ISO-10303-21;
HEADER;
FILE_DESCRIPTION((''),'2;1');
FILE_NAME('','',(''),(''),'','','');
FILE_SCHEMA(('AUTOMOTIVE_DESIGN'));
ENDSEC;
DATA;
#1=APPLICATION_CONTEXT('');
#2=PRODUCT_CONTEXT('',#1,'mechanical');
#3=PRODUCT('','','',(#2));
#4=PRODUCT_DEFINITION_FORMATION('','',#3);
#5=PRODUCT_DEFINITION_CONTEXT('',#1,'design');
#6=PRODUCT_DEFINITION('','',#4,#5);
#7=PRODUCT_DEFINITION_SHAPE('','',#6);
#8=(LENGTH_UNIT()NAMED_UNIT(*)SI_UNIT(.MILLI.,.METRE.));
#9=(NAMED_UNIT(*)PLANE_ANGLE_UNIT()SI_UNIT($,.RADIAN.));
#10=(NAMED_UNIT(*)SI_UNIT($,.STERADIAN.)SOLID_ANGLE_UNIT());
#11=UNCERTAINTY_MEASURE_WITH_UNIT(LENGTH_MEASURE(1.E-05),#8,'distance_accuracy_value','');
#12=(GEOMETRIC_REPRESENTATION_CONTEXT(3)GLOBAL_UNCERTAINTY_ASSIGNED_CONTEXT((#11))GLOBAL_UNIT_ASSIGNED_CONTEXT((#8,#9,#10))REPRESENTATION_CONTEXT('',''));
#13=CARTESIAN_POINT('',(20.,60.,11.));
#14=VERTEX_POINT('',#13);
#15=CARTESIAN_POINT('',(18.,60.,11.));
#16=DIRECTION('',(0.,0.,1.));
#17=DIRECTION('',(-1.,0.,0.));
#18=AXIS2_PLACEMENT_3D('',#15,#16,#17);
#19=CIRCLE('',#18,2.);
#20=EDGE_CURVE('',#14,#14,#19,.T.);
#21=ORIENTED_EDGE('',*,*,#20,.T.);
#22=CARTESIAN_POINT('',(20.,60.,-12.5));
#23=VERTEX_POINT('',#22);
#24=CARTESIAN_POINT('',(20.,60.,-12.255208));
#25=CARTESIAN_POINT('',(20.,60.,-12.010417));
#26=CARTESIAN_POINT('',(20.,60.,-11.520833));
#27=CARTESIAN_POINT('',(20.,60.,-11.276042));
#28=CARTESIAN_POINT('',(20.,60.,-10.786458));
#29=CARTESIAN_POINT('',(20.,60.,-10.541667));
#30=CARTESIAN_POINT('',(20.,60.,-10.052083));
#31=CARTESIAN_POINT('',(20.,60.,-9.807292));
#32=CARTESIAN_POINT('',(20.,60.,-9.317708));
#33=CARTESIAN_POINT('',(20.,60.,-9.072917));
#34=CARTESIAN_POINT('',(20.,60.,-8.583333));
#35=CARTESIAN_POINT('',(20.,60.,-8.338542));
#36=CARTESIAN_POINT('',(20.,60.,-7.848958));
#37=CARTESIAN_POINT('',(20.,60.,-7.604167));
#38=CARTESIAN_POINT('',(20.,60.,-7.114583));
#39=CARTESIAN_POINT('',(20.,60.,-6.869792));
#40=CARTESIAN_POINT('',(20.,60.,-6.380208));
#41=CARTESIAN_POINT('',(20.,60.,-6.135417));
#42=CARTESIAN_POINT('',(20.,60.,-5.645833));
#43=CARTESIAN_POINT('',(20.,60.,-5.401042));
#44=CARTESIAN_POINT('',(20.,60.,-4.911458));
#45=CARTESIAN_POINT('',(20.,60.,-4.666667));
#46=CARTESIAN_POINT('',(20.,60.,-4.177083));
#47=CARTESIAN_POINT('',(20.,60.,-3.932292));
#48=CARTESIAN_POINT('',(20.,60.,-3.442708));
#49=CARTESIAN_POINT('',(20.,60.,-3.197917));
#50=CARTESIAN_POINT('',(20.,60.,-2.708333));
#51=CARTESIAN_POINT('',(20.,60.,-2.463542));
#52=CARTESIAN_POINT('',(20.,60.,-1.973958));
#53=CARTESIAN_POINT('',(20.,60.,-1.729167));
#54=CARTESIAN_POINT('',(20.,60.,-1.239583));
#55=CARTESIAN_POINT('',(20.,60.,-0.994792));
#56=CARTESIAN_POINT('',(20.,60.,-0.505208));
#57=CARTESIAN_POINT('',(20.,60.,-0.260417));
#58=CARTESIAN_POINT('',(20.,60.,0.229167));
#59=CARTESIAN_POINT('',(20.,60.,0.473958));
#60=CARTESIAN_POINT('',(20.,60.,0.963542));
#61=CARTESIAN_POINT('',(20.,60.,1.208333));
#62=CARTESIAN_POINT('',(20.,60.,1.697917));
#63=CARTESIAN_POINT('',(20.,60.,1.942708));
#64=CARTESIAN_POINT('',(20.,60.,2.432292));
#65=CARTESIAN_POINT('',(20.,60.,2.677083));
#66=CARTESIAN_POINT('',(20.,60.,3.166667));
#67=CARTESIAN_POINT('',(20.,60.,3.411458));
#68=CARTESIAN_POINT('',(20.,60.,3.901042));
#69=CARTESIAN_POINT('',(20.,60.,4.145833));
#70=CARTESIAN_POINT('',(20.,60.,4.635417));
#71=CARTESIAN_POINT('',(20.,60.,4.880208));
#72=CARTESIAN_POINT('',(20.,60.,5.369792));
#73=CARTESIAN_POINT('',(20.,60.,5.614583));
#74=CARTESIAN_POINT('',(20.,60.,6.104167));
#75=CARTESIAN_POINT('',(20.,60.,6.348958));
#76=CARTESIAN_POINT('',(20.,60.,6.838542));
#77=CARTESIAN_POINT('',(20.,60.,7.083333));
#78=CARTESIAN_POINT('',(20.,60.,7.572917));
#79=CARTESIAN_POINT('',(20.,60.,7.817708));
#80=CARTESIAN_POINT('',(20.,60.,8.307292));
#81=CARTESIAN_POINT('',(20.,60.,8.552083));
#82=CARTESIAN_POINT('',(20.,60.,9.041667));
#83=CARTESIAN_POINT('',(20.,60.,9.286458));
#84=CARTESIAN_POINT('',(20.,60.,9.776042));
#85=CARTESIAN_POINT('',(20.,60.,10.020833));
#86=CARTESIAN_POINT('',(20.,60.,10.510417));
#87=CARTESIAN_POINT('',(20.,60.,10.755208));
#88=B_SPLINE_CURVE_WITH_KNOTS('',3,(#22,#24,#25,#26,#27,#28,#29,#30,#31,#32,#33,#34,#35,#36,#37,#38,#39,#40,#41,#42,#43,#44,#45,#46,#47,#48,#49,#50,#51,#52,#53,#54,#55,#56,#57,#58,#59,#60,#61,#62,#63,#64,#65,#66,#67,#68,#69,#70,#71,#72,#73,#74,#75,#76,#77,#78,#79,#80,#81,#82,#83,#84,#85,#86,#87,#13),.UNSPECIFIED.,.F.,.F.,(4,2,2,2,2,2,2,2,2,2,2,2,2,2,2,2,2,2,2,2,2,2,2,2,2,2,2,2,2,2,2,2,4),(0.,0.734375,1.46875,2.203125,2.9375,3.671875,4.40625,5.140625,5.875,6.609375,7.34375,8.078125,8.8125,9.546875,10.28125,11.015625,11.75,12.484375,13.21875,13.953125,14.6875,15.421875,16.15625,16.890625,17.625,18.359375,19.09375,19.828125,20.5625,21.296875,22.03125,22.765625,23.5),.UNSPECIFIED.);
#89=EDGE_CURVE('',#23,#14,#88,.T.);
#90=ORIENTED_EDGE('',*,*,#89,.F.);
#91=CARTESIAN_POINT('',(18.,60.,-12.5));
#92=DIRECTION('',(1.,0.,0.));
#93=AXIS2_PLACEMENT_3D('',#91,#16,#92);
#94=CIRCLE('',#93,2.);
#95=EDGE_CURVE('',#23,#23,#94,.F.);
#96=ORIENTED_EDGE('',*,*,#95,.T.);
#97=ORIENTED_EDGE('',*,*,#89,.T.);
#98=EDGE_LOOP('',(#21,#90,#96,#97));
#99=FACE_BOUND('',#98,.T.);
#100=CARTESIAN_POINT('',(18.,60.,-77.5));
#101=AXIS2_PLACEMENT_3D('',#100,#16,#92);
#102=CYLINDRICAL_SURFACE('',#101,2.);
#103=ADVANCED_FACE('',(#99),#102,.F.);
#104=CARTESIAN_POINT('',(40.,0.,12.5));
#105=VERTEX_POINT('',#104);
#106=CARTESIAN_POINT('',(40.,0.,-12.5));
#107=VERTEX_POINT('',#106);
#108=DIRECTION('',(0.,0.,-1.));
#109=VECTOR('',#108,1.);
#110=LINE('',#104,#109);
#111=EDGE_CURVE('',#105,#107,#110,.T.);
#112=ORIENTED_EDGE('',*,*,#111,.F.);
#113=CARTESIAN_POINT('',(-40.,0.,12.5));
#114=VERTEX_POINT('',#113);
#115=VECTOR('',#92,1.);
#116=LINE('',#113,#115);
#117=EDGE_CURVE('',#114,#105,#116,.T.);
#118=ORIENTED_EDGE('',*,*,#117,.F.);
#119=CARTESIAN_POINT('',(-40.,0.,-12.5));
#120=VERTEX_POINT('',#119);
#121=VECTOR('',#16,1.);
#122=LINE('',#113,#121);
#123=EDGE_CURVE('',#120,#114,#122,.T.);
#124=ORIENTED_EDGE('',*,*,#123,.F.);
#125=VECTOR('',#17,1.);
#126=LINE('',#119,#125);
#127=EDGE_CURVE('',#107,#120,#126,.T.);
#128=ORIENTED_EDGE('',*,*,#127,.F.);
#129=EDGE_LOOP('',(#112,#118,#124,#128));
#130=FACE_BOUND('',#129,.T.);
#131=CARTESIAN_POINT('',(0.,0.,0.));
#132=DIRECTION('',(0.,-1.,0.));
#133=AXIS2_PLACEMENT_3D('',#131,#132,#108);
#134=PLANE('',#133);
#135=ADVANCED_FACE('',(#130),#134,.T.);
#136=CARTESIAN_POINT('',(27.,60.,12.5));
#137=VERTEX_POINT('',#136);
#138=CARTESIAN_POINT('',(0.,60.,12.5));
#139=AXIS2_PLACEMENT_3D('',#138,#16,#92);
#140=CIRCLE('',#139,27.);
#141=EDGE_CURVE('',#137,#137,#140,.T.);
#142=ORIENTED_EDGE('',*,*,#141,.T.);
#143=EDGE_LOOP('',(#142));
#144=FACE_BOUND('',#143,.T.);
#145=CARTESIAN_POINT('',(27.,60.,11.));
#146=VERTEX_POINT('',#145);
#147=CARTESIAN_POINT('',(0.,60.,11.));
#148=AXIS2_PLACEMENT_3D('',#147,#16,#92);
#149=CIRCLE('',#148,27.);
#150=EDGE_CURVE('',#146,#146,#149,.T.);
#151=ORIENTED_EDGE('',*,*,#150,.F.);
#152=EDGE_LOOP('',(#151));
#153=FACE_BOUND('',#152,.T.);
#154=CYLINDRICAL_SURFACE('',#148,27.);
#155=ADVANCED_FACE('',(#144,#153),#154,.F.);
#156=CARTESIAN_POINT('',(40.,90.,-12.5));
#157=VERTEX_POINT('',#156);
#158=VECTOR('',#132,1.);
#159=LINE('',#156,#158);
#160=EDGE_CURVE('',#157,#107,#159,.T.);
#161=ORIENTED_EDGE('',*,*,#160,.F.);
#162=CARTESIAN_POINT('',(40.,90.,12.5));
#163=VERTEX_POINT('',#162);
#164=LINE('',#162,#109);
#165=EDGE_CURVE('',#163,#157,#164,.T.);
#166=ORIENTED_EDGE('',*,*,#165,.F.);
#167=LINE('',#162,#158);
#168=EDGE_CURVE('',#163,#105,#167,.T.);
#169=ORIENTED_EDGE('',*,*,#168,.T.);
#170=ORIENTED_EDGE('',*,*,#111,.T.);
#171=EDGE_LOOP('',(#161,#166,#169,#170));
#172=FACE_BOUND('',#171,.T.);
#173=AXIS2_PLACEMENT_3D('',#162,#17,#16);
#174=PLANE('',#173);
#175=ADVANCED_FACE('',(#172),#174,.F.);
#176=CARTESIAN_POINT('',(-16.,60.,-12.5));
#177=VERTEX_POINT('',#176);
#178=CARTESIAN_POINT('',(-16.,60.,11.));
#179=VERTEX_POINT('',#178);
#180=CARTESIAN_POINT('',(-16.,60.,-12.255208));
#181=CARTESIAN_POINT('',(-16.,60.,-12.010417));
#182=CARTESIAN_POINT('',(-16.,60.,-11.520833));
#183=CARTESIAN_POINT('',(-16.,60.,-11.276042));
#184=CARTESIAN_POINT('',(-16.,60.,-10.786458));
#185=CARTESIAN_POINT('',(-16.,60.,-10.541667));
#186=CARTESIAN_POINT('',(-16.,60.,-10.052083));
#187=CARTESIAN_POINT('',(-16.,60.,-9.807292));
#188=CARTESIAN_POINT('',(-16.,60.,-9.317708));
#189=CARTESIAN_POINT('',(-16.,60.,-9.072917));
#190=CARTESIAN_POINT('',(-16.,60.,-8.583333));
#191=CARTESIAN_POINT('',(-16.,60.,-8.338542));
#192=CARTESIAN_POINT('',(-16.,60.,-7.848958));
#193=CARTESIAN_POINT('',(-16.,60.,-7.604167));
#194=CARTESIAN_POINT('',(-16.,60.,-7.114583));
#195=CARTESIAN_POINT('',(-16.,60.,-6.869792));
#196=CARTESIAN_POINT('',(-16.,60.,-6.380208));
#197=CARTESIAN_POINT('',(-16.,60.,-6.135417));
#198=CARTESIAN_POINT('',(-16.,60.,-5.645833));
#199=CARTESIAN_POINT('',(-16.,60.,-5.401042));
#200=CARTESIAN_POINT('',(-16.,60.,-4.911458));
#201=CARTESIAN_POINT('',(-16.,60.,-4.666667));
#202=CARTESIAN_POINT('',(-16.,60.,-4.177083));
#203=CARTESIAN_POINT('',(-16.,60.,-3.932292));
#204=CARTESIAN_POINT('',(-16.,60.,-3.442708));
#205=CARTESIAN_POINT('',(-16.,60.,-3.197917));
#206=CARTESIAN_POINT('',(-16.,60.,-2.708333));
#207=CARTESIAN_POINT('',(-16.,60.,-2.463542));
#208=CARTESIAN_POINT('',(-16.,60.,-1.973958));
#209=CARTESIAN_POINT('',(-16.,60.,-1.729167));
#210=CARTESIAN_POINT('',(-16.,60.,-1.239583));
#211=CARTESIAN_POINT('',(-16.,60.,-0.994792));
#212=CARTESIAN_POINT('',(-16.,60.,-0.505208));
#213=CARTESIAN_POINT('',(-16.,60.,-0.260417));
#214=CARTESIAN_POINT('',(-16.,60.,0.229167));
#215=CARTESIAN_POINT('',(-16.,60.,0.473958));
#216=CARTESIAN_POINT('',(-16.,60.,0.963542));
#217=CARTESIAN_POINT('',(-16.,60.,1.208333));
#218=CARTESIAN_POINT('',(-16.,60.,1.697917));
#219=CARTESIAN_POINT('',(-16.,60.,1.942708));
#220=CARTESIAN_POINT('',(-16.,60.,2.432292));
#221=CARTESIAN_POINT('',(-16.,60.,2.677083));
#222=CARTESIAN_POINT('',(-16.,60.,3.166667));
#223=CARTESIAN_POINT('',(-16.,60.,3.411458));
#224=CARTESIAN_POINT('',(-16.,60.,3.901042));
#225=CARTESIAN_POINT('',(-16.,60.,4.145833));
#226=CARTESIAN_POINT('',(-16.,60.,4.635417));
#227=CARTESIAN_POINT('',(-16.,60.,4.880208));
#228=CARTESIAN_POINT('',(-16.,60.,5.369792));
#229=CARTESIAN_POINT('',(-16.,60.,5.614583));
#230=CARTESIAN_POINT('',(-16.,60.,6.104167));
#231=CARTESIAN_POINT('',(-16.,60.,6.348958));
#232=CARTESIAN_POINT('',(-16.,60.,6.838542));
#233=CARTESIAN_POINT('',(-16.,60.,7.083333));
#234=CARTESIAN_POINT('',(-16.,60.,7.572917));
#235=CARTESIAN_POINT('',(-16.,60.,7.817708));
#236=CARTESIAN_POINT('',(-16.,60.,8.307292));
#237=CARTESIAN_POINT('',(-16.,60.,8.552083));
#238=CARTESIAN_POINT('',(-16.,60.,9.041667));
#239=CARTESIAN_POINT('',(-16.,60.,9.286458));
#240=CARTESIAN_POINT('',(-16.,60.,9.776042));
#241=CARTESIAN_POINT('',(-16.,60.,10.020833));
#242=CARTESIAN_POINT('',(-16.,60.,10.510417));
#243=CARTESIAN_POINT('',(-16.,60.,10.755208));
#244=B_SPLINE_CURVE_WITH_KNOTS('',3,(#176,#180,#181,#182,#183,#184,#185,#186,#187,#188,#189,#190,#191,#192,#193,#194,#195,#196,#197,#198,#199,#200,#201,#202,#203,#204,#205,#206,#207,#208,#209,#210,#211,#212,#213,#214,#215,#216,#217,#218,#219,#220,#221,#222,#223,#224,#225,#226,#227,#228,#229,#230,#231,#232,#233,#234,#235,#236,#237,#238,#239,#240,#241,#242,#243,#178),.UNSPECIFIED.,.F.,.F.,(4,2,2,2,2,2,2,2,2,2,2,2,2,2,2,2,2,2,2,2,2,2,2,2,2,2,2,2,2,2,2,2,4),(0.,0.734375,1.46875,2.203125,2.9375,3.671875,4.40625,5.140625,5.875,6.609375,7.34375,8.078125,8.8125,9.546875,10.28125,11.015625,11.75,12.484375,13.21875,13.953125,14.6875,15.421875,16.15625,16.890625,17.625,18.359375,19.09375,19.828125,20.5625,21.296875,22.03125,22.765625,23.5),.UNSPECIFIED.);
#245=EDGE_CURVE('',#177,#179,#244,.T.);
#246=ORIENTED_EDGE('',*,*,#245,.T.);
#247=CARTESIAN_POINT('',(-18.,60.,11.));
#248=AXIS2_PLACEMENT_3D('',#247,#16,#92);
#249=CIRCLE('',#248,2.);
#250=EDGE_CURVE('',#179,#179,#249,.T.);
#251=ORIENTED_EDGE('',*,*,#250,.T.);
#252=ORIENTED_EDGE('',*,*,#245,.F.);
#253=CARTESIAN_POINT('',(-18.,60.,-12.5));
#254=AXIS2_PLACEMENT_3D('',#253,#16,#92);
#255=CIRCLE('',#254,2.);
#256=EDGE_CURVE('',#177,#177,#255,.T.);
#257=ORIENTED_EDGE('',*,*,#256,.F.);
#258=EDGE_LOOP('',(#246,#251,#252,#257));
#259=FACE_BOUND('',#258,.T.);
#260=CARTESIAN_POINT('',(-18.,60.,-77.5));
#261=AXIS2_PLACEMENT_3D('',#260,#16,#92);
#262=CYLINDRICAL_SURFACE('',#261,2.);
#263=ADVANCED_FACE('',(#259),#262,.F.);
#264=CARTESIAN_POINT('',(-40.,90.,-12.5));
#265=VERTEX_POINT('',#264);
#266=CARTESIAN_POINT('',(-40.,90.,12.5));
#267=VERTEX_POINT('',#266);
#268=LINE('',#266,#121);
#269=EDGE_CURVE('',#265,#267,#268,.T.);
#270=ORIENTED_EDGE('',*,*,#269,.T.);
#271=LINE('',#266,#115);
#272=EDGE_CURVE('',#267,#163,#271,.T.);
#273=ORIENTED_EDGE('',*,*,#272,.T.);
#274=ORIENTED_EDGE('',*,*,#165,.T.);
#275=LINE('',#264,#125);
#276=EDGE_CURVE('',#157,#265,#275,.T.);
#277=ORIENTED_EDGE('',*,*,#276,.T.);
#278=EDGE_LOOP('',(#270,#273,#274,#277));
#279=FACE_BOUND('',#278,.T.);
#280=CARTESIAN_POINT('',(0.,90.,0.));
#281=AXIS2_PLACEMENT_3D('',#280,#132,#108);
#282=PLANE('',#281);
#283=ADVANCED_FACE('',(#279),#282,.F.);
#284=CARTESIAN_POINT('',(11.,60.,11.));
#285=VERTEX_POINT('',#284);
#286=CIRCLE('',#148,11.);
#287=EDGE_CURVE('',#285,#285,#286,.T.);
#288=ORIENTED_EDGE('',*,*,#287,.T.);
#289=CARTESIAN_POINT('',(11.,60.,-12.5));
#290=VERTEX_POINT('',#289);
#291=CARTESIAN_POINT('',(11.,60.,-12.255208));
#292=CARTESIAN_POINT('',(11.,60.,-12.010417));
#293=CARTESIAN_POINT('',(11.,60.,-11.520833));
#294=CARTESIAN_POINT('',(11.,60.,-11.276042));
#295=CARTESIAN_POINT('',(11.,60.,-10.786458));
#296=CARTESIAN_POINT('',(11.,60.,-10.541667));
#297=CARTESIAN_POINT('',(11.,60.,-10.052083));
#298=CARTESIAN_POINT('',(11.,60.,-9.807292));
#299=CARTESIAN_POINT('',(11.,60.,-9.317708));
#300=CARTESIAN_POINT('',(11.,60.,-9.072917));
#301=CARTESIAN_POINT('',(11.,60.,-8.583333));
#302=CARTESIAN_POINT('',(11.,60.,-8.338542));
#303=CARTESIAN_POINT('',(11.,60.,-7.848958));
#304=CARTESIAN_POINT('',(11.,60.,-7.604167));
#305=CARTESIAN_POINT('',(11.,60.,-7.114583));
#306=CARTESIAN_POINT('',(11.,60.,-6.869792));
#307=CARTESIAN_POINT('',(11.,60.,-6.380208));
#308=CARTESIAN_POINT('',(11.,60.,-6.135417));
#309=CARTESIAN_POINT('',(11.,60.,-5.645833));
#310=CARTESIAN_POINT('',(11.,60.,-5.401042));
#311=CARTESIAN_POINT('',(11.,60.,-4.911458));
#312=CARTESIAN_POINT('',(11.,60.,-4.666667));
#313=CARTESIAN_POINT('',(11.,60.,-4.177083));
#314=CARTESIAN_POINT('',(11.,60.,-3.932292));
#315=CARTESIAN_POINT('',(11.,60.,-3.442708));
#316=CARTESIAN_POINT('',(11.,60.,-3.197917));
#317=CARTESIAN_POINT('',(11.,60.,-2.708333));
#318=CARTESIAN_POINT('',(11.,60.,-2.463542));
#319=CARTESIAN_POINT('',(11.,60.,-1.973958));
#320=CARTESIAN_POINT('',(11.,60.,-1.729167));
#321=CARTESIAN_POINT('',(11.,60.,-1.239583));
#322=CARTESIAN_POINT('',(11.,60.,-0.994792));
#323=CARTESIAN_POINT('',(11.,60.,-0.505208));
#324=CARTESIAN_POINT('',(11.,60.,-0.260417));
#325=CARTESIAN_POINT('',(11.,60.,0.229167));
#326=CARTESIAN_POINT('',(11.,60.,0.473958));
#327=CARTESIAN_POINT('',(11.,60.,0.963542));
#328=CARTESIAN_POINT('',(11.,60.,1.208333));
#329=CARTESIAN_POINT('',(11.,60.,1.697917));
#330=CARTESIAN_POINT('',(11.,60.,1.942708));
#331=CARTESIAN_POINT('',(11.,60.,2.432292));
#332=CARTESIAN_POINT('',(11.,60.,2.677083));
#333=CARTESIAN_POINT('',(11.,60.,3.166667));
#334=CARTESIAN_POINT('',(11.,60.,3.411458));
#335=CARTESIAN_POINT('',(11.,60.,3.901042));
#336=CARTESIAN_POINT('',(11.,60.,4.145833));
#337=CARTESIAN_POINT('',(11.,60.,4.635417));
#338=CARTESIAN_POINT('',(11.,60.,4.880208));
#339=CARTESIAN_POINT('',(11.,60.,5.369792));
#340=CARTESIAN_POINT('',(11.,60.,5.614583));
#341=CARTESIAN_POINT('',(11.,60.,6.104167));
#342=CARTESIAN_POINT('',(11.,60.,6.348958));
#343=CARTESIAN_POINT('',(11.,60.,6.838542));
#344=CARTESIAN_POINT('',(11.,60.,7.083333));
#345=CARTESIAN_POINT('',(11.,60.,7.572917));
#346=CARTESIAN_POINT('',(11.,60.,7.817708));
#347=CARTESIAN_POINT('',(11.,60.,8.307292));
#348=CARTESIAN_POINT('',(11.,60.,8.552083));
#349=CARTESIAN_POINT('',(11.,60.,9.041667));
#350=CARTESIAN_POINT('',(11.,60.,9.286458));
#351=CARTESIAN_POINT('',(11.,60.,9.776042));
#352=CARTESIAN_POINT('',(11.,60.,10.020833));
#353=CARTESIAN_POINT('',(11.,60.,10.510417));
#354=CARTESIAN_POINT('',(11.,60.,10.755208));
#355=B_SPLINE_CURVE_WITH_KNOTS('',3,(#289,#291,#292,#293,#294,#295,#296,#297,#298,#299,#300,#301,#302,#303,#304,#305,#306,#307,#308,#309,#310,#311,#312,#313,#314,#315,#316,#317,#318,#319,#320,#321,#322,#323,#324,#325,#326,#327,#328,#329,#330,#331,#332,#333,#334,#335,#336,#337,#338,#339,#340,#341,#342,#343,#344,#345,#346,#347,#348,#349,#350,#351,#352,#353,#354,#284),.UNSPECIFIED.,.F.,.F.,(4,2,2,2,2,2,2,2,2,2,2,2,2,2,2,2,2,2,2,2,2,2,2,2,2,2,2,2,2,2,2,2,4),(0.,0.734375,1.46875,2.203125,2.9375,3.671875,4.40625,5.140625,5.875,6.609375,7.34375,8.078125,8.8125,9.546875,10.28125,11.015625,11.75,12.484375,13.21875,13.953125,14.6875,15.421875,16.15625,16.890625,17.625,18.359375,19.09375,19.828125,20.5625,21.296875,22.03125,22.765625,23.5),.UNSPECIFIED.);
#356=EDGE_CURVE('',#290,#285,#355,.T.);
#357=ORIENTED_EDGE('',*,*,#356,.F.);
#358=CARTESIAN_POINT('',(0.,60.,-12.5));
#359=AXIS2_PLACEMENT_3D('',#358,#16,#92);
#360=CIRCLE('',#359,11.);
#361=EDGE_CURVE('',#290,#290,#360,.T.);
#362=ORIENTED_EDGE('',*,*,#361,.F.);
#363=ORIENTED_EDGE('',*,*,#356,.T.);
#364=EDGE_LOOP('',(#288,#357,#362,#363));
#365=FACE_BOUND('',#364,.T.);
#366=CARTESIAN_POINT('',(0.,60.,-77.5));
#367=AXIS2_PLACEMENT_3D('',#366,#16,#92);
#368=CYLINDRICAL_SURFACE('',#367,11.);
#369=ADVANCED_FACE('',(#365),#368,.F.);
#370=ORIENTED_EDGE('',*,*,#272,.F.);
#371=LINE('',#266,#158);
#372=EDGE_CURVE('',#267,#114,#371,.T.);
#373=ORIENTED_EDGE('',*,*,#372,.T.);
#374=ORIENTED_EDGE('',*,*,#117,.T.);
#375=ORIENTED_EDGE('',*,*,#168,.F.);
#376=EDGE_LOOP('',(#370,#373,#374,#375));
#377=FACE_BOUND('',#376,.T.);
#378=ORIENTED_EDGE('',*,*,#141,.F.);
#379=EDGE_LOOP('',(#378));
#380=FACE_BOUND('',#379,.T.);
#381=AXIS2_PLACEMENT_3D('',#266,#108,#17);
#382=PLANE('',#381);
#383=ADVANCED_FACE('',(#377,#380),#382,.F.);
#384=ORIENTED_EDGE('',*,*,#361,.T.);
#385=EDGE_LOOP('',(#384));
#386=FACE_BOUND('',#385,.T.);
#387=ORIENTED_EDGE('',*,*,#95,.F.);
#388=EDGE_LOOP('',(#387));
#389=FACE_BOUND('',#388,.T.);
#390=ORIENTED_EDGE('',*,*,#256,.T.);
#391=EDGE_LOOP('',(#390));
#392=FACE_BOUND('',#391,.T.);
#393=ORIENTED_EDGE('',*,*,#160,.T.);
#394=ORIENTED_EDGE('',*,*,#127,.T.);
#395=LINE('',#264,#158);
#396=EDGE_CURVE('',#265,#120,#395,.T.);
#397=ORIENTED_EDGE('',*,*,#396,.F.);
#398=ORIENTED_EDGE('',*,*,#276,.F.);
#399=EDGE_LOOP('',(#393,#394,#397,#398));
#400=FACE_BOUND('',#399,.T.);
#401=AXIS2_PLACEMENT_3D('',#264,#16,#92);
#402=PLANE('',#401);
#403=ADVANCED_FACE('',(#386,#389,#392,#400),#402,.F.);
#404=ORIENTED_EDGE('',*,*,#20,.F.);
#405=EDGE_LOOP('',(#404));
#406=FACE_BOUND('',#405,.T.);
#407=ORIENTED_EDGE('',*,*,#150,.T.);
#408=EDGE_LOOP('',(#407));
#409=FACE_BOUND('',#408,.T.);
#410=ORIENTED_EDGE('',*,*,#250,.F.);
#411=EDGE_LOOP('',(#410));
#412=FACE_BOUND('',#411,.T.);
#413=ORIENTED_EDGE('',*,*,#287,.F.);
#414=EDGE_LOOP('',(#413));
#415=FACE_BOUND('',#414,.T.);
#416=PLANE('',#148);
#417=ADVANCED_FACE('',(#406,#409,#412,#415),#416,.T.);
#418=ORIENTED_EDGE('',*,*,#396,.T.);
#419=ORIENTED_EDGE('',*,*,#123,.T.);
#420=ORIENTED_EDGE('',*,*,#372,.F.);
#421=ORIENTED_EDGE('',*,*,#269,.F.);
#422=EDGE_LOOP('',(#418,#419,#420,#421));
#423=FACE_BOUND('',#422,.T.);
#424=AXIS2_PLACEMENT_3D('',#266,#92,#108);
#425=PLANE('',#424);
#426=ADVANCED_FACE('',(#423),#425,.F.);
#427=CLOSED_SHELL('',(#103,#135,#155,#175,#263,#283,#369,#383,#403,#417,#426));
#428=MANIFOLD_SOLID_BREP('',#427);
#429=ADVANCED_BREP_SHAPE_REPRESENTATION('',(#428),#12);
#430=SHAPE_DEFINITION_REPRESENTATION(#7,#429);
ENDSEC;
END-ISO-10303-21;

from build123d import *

# Parameters (mm, degrees)
SKETCH_5_W          = 80
SKETCH_5_H          = 25
EXTRUDE_4_DEPTH     = 90
SKETCH_6_R          = 2
SKETCH_6_R_2        = 11
CUT_EXTRUDE_1_DEPTH = 90
SKETCH_6_3_R        = 27
SKETCH_6_3_R_2      = 2
SKETCH_6_3_R_3      = 11
CUT_EXTRUDE_2_DEPTH = 1.5


with BuildPart() as part:
    # 草图5 → 凸台-拉伸4 (new body)
    with BuildSketch(Plane(origin=(0, 0, 0), x_dir=(1, 0, 0), z_dir=(0, 1, 0))):
        Rectangle(SKETCH_5_W, SKETCH_5_H)
    extrude(amount=EXTRUDE_4_DEPTH)

    # 草图6 → 切除-拉伸1 (cut)
    with BuildSketch(Plane.XY.offset(12.5)):
        with Locations((-18, 60)):
            Circle(SKETCH_6_R)
        with Locations((0, 60)):
            Circle(SKETCH_6_R_2)
        with Locations((18, 60)):
            Circle(SKETCH_6_R)
    extrude(amount=-CUT_EXTRUDE_1_DEPTH, mode=Mode.SUBTRACT)

    # 草图6<3> → 切除-拉伸2 (cut)
    with BuildSketch(Plane.XY.offset(12.5)):
        with Locations((0, 60)):
            Circle(SKETCH_6_3_R)
        with Locations((-18, 60)):
            Circle(SKETCH_6_3_R_2, mode=Mode.SUBTRACT)
        with Locations((0, 60)):
            Circle(SKETCH_6_3_R_3, mode=Mode.SUBTRACT)
        with Locations((18, 60)):
            Circle(SKETCH_6_3_R_2, mode=Mode.SUBTRACT)
    extrude(amount=-CUT_EXTRUDE_2_DEPTH, mode=Mode.SUBTRACT)


solid = part.part
